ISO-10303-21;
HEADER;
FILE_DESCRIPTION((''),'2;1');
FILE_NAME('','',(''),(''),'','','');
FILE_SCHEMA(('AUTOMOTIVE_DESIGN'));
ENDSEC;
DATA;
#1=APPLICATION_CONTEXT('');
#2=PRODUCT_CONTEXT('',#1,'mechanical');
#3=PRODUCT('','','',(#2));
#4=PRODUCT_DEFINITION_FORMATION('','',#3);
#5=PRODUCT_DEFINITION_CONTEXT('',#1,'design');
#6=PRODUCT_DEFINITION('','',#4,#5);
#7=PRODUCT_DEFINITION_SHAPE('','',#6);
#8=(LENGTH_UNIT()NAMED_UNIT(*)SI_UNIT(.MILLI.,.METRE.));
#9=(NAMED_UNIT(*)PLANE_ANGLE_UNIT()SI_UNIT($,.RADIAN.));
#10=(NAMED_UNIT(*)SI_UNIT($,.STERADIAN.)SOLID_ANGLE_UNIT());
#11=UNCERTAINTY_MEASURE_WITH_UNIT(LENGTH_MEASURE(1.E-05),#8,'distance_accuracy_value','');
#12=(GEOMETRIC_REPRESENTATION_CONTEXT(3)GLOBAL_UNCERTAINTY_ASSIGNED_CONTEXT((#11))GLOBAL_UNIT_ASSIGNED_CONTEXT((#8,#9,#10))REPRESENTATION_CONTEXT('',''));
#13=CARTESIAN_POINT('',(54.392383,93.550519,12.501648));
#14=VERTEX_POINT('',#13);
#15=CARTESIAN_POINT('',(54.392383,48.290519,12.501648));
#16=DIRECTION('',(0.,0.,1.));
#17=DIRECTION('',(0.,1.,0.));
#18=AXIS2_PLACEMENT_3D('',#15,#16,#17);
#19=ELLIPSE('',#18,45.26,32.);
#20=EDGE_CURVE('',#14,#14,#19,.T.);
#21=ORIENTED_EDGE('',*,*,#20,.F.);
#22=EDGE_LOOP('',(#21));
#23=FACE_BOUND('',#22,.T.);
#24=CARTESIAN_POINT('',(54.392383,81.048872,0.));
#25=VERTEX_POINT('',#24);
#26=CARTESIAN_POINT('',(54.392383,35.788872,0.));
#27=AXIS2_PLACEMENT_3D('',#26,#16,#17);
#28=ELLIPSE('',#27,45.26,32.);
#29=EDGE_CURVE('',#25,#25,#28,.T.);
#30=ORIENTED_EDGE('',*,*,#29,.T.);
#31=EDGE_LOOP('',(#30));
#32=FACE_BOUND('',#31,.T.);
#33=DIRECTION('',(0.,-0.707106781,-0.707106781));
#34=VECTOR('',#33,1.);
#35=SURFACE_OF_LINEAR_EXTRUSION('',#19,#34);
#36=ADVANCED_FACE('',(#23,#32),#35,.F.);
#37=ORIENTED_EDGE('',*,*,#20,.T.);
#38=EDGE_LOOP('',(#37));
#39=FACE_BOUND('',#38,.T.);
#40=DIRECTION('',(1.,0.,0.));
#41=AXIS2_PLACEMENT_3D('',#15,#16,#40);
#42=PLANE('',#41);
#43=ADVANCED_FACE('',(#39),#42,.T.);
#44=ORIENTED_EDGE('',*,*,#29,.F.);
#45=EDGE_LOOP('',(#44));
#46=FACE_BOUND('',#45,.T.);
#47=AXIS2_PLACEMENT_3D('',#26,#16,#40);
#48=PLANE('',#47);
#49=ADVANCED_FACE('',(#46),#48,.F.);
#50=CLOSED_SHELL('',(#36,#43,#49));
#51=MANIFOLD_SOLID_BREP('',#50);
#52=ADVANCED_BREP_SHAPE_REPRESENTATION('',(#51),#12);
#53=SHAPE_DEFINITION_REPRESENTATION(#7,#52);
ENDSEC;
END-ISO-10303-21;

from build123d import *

# Parameters (mm, degrees)
SKETCH_1_RX     = 45.26
SKETCH_1_RY     = 32
EXTRUDE_2_DEPTH = 17.68


with BuildPart() as part:
    # 草图1 → 凸台-拉伸2 (new body, along a direction that is not the sketch's normal)
    with BuildSketch(Plane.XY):
        with Locations(Location((54.392382982, 35.78887153), (0, 0, 90))):
            Ellipse(SKETCH_1_RX, SKETCH_1_RY)
    extrude(amount=EXTRUDE_2_DEPTH, dir=(0, 0.707106781, 0.707106781))


solid = part.part
